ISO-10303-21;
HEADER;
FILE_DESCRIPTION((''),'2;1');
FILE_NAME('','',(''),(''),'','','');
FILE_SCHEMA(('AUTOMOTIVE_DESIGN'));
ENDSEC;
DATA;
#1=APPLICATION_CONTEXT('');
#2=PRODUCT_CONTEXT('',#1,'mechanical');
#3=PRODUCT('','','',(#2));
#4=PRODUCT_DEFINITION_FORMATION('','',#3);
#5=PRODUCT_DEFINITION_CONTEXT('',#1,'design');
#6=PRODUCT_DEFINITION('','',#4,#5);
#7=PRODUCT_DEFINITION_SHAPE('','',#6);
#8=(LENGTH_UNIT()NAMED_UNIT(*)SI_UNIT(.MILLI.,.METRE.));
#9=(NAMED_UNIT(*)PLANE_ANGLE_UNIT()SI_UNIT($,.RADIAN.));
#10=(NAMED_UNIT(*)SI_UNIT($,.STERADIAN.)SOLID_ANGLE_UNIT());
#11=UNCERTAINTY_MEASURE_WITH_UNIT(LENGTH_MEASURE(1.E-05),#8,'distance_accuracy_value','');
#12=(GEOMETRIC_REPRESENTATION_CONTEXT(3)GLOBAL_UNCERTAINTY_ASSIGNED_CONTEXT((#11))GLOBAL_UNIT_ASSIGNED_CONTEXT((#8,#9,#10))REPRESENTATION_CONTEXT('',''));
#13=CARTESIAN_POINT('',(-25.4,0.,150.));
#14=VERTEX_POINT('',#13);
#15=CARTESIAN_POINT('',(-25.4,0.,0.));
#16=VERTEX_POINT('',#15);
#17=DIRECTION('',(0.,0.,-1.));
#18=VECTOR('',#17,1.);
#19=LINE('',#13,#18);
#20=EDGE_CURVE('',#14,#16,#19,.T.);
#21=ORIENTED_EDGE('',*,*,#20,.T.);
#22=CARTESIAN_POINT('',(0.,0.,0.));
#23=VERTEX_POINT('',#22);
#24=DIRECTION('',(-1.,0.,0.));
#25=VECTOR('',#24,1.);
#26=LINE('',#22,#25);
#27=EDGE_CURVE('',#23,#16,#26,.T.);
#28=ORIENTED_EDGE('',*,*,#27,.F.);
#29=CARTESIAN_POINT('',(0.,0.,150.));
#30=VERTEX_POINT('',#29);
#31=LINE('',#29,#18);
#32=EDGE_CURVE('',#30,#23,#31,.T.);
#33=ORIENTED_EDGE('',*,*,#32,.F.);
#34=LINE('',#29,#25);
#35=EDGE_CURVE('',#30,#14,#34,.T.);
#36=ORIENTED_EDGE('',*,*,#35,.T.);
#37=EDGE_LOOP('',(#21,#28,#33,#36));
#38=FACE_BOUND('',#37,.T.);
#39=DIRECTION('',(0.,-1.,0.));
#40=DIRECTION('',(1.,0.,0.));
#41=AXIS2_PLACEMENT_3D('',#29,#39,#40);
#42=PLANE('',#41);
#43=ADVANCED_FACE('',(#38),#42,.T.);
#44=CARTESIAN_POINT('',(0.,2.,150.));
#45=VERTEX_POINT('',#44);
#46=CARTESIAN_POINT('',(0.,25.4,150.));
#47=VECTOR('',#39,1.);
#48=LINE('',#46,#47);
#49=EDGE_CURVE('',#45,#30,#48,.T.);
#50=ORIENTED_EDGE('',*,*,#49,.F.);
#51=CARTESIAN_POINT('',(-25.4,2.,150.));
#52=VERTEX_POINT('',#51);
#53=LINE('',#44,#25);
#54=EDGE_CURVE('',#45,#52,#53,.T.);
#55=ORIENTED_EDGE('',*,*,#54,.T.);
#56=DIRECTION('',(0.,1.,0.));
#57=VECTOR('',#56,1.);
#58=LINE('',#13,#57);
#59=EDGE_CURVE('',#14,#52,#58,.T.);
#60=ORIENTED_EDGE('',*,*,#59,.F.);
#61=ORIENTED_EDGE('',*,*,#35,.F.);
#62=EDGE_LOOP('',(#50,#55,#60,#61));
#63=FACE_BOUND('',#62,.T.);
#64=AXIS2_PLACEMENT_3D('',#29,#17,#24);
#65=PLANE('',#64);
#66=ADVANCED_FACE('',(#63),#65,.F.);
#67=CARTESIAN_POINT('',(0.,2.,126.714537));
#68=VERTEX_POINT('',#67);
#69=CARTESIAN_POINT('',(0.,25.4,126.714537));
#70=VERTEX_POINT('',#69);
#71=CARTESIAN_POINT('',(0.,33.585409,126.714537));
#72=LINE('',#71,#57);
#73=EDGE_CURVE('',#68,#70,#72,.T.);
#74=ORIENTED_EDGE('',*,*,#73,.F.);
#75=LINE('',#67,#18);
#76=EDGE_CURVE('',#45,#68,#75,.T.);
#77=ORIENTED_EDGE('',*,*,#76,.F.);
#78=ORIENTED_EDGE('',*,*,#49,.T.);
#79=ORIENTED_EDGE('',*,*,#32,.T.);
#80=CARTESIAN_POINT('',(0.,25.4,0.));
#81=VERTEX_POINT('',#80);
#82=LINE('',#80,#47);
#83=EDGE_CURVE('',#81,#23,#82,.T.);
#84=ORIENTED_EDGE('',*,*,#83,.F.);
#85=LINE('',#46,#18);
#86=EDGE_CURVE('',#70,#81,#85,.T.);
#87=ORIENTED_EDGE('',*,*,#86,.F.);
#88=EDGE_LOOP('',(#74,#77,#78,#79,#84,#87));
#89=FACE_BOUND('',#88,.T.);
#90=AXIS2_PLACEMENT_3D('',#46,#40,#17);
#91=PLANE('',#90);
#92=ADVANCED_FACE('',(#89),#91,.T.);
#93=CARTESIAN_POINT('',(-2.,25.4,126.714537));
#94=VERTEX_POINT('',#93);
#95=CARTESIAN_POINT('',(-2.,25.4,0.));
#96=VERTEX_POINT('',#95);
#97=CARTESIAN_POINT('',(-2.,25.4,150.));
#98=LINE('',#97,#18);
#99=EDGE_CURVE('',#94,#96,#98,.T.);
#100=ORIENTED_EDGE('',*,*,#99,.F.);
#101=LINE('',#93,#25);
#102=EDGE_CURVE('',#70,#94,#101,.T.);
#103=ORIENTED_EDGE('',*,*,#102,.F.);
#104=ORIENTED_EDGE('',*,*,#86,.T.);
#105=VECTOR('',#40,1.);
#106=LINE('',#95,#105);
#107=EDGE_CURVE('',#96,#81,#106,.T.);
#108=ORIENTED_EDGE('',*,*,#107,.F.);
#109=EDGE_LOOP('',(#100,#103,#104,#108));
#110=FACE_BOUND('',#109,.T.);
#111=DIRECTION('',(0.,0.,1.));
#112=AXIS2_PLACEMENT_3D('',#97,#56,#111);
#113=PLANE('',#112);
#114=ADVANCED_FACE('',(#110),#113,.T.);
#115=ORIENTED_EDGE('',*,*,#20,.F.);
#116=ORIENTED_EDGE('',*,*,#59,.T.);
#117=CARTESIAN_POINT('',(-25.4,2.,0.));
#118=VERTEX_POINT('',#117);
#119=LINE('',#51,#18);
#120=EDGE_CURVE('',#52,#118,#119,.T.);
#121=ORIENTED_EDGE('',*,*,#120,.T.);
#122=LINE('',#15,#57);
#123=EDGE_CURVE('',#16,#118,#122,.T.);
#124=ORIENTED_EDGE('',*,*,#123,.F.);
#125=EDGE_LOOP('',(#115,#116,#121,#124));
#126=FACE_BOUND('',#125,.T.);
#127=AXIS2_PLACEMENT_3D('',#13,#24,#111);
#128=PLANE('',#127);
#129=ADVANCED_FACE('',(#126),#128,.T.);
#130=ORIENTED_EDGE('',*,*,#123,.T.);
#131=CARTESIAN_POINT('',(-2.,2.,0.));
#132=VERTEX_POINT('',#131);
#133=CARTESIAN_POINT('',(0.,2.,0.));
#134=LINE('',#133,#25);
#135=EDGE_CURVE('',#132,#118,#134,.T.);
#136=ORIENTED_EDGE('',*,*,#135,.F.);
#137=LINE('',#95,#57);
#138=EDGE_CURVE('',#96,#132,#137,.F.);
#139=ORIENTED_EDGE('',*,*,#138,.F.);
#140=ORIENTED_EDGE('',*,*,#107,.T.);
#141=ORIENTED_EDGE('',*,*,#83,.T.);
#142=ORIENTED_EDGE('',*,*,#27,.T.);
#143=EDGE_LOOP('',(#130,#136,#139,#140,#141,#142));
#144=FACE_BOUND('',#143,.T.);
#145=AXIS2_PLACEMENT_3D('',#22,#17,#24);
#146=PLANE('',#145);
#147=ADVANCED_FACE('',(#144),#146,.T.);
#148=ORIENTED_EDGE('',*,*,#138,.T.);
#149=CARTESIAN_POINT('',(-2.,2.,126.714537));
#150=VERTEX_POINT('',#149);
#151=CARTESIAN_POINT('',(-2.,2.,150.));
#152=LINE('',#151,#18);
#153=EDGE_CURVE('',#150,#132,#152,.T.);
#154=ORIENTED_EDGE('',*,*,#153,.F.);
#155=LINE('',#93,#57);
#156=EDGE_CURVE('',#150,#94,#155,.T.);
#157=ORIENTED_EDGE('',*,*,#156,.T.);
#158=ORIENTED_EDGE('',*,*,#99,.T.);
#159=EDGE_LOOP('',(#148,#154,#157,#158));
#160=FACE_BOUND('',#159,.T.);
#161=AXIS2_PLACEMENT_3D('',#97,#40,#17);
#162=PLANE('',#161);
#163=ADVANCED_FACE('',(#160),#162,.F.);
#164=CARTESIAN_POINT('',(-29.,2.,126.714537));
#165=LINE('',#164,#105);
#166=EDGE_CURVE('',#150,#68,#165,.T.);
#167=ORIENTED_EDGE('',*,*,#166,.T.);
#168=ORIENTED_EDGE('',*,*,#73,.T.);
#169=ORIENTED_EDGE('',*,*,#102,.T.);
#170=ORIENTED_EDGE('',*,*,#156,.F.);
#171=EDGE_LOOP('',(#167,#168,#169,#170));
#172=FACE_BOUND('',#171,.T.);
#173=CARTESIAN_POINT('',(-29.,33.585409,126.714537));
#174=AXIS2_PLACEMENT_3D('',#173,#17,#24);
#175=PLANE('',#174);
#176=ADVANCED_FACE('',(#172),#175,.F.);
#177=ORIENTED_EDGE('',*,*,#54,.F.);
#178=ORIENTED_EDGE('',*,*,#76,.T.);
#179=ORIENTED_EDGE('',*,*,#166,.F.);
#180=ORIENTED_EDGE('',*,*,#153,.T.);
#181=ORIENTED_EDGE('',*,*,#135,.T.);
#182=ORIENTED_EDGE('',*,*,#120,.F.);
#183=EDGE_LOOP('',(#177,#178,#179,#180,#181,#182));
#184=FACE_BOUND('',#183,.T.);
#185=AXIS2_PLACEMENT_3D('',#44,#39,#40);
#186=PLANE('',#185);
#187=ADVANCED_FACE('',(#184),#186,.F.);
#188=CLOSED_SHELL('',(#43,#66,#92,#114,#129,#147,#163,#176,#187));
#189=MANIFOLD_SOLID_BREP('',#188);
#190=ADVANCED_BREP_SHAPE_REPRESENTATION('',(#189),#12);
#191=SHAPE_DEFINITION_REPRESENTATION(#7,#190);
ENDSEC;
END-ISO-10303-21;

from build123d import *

# Parameters (mm, degrees)
EXTRUDE_THIN1_DEPTH = 150
SKETCH2_W           = 45.118710081
SKETCH2_H           = 31.585408516
CUT_EXTRUDE1_DEPTH  = 29


with BuildPart() as part:
    # Sketch1 → Extrude-Thin1 (new body)
    with BuildSketch(Plane.XY):
        Polygon((0, 25.4), (0, 0), (-25.4, 0), (-25.4, 2), (-2, 2), (-2, 25.4), align=None)
    extrude(amount=EXTRUDE_THIN1_DEPTH)

    # Sketch2 → Cut-Extrude1 (cut)
    with BuildSketch(Plane(origin=(0, 0, 0), x_dir=(0, 0, -1), z_dir=(1, 0, 0))):
        with Locations((-149.273891859, 17.792704258)):
            Rectangle(SKETCH2_W, SKETCH2_H)
    extrude(amount=-CUT_EXTRUDE1_DEPTH, mode=Mode.SUBTRACT)


solid = part.part
